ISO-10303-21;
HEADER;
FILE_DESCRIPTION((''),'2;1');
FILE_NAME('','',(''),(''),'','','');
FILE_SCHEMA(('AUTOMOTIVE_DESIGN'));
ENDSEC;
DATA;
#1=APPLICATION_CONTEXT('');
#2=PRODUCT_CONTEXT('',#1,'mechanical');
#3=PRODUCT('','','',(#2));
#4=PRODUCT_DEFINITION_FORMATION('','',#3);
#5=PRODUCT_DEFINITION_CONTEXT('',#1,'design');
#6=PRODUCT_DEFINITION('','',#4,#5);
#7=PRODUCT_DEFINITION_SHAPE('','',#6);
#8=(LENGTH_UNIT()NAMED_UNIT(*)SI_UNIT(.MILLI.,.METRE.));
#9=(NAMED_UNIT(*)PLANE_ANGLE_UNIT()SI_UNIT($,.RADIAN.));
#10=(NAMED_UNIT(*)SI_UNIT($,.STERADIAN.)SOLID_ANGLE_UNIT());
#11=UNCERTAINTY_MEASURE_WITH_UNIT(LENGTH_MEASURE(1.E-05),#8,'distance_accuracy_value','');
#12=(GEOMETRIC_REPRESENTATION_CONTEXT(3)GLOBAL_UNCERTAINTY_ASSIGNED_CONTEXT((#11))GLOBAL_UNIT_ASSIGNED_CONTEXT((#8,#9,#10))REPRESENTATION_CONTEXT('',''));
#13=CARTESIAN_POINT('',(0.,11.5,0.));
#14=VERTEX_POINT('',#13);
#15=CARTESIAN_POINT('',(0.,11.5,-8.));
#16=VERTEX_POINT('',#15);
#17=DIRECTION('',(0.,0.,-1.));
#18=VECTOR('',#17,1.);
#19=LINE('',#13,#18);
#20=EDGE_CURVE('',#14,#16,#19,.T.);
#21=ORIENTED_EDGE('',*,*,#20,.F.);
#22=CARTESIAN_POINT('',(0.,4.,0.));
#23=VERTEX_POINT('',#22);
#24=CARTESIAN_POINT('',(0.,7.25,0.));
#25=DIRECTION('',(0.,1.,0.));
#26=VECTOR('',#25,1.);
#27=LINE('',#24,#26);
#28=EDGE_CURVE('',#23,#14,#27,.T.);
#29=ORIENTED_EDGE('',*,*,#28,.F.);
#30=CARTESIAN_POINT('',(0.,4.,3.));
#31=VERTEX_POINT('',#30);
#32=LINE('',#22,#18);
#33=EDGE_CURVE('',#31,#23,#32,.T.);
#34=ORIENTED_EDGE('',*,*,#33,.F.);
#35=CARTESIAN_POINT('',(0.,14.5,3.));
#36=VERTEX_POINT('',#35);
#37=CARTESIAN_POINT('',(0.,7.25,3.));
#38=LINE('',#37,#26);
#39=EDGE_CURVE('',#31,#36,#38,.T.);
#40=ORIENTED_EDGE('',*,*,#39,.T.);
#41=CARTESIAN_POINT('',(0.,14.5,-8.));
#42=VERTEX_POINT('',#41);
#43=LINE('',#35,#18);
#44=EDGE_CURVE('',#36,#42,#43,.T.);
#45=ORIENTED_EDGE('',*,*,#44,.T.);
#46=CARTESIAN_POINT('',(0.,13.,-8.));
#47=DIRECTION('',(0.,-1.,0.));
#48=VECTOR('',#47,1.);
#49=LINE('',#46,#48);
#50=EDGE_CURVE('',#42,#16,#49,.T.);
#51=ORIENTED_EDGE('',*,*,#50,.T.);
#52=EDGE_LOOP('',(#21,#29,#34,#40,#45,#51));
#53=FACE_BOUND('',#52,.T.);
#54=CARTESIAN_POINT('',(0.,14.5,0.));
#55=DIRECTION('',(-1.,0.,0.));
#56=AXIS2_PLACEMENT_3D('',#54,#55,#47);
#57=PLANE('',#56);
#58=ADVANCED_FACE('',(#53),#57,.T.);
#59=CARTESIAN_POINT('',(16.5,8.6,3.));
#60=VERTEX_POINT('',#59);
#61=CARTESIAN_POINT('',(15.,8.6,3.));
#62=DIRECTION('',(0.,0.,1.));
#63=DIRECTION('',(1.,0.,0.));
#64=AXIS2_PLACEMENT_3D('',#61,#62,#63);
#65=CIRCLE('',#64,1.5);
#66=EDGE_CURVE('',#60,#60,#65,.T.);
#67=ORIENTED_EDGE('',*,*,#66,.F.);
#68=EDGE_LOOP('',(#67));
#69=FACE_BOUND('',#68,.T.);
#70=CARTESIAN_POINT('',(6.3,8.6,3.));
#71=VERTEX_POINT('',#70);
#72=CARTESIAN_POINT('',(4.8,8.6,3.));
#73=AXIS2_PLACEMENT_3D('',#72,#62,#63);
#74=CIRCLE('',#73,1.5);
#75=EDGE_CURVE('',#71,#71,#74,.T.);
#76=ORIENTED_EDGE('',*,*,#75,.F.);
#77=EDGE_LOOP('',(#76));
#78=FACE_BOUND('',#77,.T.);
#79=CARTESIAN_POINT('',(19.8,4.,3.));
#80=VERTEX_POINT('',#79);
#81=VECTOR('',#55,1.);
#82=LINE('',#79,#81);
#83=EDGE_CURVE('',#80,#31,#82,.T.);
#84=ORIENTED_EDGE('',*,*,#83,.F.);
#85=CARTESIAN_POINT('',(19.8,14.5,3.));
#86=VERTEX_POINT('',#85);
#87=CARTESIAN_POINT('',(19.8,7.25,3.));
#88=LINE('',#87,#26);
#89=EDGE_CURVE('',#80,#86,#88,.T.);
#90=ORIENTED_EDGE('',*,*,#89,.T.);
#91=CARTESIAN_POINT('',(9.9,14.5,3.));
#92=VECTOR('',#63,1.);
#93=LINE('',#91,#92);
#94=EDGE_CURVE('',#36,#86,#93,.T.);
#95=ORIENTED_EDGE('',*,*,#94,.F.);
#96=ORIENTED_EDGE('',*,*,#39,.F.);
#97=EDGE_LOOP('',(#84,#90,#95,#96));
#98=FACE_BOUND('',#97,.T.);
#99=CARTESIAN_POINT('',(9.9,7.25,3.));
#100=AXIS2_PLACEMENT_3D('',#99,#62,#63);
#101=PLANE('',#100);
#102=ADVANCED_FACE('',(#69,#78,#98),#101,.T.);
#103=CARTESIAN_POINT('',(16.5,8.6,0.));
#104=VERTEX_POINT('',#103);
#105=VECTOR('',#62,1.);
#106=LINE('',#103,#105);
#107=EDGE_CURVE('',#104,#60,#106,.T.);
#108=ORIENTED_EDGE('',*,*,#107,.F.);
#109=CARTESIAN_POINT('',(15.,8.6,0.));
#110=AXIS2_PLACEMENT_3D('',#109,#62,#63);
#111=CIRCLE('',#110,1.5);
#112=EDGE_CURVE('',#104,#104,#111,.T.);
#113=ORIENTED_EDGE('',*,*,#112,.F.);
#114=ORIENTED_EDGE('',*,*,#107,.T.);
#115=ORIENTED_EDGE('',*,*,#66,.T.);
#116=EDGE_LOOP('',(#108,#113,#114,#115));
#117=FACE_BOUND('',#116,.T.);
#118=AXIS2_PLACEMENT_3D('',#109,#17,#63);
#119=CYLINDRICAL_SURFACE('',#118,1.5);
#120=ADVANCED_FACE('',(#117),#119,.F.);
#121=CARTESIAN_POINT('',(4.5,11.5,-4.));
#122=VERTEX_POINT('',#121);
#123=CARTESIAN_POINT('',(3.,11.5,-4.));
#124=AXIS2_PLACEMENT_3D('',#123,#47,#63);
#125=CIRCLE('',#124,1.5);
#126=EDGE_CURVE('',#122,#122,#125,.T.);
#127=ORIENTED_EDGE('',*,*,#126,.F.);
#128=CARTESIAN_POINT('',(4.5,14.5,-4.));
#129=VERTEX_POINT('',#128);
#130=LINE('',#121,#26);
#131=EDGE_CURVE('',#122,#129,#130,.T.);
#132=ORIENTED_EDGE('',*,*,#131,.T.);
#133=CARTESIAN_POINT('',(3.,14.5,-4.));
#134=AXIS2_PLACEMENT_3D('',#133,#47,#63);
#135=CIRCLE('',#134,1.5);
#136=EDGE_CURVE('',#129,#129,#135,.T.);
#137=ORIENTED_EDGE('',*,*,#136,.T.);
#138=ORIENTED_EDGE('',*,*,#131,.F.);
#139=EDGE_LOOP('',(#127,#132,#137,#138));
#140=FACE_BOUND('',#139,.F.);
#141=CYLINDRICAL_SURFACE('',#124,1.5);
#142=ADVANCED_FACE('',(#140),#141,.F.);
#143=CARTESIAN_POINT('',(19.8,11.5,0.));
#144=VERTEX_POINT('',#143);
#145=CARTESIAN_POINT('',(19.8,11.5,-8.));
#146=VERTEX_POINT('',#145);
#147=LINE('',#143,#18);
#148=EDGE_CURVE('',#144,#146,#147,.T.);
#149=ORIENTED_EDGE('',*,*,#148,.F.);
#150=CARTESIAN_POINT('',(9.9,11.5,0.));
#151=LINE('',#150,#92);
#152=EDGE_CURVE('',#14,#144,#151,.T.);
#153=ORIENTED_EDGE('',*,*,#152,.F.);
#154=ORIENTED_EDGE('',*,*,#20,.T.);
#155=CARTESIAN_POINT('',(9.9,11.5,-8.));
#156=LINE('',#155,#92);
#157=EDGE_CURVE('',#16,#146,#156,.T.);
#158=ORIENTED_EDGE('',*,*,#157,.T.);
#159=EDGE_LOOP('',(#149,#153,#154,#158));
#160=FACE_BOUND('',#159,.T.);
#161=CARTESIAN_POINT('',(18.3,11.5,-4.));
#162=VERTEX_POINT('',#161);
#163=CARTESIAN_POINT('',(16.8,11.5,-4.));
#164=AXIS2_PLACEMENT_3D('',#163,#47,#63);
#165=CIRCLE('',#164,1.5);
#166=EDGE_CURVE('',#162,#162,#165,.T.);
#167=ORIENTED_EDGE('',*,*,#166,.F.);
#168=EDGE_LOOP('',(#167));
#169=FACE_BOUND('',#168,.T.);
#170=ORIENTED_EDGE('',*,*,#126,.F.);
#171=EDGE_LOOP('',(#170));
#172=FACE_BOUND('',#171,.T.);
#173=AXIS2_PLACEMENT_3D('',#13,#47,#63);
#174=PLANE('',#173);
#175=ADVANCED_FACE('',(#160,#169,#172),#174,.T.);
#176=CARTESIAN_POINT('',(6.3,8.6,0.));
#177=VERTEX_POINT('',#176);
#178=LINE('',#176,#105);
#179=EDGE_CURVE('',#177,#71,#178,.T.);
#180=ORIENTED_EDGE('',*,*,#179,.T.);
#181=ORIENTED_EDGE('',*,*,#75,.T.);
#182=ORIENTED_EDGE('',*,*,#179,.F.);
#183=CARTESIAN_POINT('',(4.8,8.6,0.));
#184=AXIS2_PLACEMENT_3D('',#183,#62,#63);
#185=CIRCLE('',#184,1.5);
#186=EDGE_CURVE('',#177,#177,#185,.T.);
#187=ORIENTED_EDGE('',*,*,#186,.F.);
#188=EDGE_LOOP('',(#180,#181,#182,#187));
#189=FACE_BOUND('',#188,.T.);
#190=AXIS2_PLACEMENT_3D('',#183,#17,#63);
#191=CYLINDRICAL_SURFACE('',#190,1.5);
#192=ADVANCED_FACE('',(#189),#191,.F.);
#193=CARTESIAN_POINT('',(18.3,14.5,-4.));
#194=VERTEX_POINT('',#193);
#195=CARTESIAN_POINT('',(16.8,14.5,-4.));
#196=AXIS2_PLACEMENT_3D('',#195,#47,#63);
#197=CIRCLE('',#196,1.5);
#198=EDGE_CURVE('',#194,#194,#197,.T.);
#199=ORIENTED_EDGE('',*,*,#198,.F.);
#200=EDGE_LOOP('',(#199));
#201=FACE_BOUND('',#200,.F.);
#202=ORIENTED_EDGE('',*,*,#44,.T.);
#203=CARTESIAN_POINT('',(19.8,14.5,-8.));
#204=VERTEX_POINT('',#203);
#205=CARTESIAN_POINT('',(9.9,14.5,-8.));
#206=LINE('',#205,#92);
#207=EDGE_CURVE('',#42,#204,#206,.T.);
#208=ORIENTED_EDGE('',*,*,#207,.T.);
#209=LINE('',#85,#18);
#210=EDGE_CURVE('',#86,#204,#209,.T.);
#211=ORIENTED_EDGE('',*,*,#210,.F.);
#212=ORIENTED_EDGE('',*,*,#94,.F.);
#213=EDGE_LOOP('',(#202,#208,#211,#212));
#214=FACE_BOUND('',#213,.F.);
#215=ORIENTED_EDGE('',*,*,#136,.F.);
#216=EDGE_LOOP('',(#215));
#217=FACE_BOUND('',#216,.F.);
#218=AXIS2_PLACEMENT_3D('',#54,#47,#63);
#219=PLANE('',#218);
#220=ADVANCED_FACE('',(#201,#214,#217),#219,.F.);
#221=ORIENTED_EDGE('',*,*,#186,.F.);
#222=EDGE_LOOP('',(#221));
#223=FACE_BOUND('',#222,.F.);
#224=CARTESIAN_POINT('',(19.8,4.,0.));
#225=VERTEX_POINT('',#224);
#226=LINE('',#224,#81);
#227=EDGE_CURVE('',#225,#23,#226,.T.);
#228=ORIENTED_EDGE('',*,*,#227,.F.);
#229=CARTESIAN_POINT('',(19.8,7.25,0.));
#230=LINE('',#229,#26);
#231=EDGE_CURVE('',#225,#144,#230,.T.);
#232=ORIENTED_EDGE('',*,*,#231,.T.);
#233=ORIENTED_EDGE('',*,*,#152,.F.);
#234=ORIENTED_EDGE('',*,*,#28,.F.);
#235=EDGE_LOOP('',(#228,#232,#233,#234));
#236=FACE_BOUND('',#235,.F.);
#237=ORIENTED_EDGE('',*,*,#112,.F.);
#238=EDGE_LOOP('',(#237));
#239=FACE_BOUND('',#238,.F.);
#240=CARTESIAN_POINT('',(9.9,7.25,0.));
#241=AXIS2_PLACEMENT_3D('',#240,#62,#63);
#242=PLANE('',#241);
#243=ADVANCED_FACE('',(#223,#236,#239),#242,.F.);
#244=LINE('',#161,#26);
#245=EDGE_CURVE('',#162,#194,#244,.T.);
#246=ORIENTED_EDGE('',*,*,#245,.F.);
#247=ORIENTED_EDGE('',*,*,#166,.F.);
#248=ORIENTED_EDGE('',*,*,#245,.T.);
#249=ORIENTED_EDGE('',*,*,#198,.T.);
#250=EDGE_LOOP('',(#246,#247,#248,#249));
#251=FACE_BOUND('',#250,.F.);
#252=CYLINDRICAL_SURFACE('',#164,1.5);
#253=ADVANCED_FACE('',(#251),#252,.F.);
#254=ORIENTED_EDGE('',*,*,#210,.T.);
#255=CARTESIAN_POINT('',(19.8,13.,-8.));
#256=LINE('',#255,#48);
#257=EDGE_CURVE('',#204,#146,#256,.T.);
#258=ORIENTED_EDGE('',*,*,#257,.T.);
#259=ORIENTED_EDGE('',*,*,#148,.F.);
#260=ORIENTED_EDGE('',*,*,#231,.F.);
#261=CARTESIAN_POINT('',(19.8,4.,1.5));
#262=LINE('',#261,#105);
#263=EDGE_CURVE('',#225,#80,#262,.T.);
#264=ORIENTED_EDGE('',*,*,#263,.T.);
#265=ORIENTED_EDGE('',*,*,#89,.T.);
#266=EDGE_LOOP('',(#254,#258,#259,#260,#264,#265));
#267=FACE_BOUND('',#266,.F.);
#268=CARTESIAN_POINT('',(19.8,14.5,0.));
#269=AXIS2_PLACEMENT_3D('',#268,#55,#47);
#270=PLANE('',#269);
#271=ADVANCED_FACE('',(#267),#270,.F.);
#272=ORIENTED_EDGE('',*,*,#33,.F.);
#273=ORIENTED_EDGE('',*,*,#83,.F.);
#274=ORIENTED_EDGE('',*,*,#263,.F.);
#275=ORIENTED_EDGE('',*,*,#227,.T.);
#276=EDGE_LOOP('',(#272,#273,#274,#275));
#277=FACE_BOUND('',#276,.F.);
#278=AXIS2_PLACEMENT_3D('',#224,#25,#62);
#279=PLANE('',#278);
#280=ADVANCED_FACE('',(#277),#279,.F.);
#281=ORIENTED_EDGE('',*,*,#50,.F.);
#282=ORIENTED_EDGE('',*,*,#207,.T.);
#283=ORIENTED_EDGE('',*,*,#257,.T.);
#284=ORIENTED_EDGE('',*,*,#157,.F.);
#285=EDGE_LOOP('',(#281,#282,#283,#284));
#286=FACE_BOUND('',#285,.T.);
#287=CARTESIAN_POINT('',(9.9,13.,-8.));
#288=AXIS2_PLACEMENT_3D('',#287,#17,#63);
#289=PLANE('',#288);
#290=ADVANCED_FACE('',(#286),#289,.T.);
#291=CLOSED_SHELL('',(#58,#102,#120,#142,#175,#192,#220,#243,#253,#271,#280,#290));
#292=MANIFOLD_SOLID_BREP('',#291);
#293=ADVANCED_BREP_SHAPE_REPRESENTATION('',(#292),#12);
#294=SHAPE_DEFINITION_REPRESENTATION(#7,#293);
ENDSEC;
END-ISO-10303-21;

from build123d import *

# Parameters (mm, degrees)
SKETCH_W        = 19.8
SKETCH_H        = 14.5
SKETCH_R        = 1.5
PAD_DEPTH       = 3
SKETCH001_W     = 19.8
SKETCH001_H     = 3
PAD001_DEPTH    = 8
SKETCH002_R     = 1.5
POCKET_DEPTH    = 3.001
SKETCH003_W     = 4
SKETCH003_H     = 3
POCKET001_DEPTH = 19.801


with BuildPart() as part:
    # Sketch → Pad (new body)
    with BuildSketch(Plane.XY):
        with Locations((9.9, 7.25)):
            Rectangle(SKETCH_W, SKETCH_H)
        with Locations((4.8, 8.6)):
            Circle(SKETCH_R, mode=Mode.SUBTRACT)
        with Locations((15, 8.6)):
            Circle(SKETCH_R, mode=Mode.SUBTRACT)
    extrude(amount=PAD_DEPTH)

    # Sketch001 → Pad001 (new body)
    with BuildSketch(Plane(origin=(0, 0, 0), x_dir=(1, 0, 0), z_dir=(0, 0, -1))):
        with Locations((9.9, -13)):
            Rectangle(SKETCH001_W, SKETCH001_H)
    extrude(amount=PAD001_DEPTH)

    # Sketch002 → Pocket (cut, through all)
    with BuildSketch(Plane.XZ.offset(-11.5)):
        with Locations((3, -4)):
            Circle(SKETCH002_R)
        with Locations((16.8, -4)):
            Circle(SKETCH002_R)
    extrude(amount=-POCKET_DEPTH, mode=Mode.SUBTRACT)

    # Sketch003 → Pocket001 (cut, through all)
    with BuildSketch(Plane.YZ.offset(19.8)):
        with Locations((2, 1.5)):
            Rectangle(SKETCH003_W, SKETCH003_H)
    extrude(amount=-POCKET001_DEPTH, mode=Mode.SUBTRACT)


solid = part.part
